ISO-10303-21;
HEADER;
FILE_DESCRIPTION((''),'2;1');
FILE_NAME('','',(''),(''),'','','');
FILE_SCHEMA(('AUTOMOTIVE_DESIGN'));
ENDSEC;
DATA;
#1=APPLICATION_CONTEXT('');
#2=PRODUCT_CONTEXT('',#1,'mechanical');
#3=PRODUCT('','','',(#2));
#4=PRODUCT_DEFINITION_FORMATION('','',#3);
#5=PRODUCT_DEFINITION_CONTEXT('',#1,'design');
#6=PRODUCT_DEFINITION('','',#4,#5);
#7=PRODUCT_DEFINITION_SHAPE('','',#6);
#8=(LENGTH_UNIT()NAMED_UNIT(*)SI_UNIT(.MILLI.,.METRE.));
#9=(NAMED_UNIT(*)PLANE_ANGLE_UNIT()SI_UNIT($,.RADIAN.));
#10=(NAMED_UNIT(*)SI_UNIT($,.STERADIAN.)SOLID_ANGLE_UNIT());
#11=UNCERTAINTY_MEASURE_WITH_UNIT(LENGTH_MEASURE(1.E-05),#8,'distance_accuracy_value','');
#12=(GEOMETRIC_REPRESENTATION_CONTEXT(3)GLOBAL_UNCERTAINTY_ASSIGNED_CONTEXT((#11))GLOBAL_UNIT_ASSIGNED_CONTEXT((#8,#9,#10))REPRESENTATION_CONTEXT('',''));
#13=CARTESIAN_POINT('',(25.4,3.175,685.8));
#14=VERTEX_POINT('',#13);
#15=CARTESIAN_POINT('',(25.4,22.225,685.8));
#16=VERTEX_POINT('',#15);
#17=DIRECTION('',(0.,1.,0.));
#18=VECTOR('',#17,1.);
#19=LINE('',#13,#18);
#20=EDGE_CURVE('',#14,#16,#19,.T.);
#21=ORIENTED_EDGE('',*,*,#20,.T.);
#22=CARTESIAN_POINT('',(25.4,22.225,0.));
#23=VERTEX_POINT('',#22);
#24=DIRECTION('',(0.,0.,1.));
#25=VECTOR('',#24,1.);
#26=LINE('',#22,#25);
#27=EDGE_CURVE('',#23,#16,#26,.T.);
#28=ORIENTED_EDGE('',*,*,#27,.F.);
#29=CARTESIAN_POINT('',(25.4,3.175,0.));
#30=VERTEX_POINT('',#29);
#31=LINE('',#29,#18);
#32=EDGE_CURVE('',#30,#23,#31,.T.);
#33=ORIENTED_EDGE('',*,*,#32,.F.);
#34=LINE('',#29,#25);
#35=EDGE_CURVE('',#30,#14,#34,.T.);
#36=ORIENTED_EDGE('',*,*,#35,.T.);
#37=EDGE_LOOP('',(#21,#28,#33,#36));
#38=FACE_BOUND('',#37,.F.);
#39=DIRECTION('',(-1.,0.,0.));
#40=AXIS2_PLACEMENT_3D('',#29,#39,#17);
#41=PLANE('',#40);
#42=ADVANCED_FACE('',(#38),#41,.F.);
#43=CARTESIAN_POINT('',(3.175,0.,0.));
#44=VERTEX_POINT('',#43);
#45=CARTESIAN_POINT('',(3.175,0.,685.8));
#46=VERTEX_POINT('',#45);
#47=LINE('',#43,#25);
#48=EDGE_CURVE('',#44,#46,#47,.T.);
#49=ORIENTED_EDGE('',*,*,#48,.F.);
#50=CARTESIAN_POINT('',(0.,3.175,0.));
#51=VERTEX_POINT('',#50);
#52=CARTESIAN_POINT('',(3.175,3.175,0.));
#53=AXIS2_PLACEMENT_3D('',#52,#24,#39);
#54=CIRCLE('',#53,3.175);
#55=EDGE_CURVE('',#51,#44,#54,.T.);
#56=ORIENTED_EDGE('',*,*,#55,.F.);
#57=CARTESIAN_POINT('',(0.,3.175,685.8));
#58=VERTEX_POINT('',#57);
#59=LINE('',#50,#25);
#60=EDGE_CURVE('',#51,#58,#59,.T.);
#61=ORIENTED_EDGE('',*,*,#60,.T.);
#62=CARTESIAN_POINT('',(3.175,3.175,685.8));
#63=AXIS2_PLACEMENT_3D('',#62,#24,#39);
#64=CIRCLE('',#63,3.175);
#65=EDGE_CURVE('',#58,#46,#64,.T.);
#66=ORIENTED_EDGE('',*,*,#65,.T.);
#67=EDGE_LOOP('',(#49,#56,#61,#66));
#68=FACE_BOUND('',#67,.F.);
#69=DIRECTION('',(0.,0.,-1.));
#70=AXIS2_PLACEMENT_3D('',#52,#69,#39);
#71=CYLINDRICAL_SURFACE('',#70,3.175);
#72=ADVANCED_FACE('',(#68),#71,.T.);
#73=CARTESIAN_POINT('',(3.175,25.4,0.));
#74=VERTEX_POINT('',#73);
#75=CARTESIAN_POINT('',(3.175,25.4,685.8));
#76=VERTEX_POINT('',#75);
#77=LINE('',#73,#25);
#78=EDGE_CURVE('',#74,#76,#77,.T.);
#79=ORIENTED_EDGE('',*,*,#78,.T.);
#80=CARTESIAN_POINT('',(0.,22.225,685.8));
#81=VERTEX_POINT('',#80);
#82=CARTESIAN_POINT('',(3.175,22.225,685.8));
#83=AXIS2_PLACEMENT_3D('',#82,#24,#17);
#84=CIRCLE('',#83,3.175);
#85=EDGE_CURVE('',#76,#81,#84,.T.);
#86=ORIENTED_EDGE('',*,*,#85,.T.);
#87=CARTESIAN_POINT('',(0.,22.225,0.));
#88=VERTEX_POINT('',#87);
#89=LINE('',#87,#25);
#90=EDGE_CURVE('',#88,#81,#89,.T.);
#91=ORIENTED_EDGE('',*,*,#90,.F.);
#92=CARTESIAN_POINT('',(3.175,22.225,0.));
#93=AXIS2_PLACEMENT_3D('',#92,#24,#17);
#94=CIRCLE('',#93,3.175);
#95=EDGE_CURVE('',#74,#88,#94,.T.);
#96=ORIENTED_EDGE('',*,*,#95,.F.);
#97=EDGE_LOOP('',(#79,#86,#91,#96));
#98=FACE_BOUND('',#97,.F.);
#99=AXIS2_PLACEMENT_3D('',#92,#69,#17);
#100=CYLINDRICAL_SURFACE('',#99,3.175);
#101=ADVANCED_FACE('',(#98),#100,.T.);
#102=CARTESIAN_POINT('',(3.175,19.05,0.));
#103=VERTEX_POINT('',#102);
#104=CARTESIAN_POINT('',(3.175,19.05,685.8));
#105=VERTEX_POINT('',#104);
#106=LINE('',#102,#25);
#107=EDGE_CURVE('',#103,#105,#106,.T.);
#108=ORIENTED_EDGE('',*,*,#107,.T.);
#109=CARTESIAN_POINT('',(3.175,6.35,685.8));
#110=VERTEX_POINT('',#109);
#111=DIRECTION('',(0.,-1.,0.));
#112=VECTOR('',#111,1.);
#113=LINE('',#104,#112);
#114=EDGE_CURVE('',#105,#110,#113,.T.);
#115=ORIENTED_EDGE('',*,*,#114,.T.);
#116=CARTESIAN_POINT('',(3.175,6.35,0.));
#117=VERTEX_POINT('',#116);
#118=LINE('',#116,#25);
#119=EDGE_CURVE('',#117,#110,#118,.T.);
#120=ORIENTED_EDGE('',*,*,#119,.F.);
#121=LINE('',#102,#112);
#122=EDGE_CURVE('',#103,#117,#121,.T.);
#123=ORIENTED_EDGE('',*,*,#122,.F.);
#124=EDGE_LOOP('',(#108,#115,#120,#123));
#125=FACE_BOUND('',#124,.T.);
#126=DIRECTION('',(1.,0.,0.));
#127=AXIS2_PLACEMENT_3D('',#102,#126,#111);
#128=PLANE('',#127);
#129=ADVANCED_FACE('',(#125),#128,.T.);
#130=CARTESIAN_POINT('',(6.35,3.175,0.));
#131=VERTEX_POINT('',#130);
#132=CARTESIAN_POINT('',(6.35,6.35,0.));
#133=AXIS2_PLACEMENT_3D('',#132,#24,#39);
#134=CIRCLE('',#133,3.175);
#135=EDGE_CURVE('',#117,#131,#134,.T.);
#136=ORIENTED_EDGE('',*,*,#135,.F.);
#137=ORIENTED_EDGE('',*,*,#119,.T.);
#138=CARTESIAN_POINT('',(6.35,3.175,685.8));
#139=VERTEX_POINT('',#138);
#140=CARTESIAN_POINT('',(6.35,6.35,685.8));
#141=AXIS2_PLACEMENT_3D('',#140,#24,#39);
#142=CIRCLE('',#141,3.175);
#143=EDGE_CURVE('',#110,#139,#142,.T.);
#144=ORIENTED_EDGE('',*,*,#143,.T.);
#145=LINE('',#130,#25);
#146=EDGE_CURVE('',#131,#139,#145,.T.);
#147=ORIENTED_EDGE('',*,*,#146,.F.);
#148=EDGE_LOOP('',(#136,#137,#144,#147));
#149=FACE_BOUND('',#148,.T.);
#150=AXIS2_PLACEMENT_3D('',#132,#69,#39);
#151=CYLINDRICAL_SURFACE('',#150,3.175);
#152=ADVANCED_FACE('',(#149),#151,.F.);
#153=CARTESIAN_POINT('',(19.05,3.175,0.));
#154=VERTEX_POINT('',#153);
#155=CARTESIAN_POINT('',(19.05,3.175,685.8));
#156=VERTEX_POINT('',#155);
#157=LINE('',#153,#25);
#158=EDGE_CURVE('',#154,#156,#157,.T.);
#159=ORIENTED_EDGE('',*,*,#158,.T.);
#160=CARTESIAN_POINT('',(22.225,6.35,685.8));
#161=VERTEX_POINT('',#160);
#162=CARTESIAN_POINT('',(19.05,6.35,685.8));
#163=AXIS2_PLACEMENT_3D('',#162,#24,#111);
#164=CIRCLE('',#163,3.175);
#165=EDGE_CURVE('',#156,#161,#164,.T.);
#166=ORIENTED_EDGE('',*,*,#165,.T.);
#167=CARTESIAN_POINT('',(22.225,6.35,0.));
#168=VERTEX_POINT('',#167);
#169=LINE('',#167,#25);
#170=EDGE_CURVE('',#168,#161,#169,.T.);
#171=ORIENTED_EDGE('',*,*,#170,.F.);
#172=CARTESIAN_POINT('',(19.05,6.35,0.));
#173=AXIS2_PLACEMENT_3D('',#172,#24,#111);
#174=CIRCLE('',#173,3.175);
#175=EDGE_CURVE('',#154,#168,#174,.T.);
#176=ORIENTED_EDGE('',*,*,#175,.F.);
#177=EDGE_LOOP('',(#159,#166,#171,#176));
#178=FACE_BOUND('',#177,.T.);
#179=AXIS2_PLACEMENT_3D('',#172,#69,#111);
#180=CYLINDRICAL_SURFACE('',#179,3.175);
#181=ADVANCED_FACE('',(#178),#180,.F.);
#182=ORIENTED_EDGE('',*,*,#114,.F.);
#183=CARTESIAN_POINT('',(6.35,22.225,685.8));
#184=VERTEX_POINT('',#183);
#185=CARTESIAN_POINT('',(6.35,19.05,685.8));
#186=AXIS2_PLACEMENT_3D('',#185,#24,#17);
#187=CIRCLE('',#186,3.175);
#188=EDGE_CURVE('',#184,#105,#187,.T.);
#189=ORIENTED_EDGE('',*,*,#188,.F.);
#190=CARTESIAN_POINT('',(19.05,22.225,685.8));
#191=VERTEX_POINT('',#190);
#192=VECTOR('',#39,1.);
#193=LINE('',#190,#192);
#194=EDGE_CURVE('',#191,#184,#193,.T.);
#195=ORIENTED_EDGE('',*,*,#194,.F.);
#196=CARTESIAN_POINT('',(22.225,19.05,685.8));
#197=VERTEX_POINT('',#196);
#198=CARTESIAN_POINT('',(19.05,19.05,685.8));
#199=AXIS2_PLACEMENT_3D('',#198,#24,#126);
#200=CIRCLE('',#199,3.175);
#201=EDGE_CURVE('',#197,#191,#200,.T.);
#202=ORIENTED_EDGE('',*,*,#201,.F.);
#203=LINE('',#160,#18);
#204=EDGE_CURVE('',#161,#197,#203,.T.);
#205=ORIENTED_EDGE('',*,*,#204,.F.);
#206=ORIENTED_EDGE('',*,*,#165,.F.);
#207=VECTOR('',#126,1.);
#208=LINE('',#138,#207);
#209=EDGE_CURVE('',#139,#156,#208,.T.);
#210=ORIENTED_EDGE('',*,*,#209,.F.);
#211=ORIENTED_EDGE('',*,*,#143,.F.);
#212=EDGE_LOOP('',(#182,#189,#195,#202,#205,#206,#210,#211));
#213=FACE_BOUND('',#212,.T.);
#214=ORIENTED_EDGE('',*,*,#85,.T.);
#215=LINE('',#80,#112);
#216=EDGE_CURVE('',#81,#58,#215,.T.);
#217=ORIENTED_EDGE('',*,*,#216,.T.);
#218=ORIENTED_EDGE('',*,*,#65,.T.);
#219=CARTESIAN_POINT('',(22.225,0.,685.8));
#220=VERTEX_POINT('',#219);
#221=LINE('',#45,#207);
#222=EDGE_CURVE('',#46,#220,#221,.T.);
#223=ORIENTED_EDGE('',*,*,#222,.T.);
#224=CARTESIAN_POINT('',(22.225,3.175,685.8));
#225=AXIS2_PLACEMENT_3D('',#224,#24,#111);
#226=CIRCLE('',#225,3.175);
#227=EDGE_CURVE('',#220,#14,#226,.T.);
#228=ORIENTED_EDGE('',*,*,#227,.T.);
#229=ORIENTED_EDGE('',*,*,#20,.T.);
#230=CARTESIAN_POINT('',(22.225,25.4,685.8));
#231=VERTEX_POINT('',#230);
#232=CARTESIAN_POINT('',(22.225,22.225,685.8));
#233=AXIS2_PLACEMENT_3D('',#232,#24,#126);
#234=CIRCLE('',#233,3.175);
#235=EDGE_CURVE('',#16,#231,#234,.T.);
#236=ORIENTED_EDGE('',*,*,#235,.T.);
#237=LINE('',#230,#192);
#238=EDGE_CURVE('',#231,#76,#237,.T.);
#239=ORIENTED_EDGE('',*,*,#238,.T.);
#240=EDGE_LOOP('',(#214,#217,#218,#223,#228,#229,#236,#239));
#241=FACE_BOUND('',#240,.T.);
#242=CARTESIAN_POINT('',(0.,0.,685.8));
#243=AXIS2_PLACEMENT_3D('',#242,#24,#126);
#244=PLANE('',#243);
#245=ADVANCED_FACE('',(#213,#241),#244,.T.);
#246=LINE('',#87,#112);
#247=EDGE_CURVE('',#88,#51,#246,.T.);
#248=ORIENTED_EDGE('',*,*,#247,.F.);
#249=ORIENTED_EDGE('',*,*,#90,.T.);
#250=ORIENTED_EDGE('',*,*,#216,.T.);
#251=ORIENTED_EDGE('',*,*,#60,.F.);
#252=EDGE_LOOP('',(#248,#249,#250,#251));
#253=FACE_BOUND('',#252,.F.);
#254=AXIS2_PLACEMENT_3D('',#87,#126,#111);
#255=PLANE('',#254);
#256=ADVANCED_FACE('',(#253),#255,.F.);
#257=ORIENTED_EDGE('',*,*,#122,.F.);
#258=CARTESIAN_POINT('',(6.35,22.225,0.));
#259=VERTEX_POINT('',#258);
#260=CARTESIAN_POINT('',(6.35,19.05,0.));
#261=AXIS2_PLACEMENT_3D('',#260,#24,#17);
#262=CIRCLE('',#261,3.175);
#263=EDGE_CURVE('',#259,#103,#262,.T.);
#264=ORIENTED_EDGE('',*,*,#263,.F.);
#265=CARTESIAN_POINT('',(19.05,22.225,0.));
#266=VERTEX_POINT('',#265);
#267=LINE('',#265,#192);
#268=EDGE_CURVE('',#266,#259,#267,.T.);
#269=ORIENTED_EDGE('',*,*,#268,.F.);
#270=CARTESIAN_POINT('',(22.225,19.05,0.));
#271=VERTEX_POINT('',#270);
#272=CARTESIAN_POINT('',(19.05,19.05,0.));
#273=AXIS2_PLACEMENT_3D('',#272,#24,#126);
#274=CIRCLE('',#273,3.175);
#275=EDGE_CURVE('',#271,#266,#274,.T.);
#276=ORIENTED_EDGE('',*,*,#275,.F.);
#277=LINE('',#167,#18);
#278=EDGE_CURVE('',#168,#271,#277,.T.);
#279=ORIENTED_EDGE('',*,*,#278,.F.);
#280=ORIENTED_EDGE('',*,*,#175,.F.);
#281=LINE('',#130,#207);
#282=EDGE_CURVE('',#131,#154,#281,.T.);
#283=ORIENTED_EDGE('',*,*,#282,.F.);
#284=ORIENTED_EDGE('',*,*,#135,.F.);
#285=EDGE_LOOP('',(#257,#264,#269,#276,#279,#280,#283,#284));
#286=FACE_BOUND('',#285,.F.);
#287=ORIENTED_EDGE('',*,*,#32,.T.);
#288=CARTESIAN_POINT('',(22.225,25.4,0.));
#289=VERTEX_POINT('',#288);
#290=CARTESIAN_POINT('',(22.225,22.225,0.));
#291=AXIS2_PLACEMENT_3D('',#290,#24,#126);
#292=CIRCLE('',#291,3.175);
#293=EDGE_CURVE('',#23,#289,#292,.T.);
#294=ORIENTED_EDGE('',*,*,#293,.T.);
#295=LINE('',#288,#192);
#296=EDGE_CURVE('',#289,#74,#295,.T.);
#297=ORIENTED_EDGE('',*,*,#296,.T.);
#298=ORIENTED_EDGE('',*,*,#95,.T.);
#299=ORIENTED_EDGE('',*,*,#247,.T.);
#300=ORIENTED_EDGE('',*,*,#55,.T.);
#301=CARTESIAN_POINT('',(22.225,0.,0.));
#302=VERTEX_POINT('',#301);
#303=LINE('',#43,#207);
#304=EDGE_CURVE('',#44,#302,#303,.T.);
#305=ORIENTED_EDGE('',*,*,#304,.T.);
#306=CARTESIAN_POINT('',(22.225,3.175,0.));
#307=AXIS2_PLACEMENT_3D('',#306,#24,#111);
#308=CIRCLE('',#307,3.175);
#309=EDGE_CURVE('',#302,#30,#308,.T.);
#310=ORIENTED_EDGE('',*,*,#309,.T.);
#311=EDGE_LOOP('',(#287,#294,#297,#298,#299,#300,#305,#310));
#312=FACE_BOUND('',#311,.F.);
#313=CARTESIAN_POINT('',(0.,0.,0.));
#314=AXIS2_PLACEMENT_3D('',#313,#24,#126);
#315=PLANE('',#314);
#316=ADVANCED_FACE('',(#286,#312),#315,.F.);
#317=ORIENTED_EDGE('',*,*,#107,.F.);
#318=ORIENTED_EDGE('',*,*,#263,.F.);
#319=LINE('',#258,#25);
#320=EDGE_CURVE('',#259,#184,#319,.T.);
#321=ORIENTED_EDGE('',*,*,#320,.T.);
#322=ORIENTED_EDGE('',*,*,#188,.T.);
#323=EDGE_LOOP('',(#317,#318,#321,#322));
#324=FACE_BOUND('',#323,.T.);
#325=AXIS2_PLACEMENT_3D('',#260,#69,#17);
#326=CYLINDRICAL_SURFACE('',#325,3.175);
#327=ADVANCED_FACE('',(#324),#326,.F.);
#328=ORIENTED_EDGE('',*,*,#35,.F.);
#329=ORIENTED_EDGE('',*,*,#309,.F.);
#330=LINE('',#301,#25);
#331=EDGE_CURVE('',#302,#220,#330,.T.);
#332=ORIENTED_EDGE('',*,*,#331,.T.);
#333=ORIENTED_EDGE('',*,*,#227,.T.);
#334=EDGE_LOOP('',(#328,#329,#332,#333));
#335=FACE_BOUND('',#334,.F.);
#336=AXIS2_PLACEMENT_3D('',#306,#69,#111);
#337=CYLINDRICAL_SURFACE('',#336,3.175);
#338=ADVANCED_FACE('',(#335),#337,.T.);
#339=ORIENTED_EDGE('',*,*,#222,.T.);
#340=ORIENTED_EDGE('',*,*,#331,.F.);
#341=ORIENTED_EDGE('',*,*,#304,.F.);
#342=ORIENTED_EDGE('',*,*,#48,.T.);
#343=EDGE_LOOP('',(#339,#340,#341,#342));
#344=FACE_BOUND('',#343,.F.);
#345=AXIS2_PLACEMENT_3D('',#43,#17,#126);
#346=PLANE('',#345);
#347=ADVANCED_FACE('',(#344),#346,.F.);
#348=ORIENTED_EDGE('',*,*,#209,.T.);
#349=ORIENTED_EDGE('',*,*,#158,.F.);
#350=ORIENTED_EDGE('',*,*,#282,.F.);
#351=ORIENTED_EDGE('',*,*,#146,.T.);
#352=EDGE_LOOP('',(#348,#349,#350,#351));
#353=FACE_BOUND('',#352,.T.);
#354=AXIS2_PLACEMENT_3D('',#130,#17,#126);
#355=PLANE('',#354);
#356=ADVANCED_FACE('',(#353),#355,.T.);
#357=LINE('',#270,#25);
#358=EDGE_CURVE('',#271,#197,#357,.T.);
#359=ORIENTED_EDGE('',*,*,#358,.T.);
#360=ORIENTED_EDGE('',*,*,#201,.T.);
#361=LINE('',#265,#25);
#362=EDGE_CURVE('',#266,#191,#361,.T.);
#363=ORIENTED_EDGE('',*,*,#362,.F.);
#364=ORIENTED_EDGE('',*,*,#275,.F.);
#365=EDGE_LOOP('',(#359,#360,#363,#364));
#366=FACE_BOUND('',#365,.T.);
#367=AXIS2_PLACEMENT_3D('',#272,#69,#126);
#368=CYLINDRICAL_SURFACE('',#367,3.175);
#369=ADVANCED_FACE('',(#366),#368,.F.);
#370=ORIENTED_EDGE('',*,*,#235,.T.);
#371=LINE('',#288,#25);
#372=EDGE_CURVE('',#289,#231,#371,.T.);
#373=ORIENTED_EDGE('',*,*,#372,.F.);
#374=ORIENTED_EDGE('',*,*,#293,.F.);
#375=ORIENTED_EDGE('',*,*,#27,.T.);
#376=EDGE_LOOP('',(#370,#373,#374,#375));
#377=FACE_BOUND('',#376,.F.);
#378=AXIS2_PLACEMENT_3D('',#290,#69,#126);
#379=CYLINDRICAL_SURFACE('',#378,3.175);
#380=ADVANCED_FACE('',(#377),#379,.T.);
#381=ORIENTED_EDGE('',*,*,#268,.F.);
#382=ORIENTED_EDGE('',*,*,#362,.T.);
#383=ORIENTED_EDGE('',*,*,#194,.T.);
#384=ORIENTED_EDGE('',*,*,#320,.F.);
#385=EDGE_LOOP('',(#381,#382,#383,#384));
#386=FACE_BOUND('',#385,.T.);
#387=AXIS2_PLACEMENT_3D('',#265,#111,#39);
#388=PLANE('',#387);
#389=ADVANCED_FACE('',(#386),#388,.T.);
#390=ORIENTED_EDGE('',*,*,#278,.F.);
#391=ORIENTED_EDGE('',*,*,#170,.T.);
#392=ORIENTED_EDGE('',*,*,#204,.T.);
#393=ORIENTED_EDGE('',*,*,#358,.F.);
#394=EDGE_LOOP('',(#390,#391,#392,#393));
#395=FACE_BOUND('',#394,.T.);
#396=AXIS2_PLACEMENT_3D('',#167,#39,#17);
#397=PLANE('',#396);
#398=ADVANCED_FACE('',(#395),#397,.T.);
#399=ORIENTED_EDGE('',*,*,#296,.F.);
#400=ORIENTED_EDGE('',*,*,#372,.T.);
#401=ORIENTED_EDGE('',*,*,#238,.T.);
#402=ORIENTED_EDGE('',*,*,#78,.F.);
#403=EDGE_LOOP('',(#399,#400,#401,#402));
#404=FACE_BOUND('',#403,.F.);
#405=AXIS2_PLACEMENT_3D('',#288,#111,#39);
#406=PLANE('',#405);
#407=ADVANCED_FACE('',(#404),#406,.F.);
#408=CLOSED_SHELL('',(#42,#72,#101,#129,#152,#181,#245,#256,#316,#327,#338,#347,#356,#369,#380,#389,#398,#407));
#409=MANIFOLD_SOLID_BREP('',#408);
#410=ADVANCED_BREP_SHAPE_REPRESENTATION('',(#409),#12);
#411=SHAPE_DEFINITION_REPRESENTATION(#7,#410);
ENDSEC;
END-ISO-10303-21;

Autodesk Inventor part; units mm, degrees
ref_plane "YZ Plane" through (0, 0, 0) normal (1, 0, 0) x (0, 1, 0)
ref_plane "XZ Plane" through (0, 0, 0) normal (0, 1, 0) x (-1, 0, 0)
ref_plane "XY Plane" through (0, 0, 0) normal (0, 0, 1) x (1, 0, 0)
sketch "Sketch1" plane through (0, 0, 0) normal (0, 0, 1) x (1, 0, 0)
  line L0 (3.175, 0) -> (22.225, 0)
  line L1 (25.4, 3.175) -> (25.4, 22.225)
  line L2 (22.225, 25.4) -> (3.175, 25.4)
  line L3 (0, 22.225) -> (0, 3.175)
  arc A0 (3.175, 25.4) -> (0, 22.225) centre (3.175, 22.225) ccw
  arc A1 (25.4, 22.225) -> (22.225, 25.4) centre (22.225, 22.225) ccw
  arc A2 (22.225, 0) -> (25.4, 3.175) centre (22.225, 3.175) ccw
  arc A3 (0, 3.175) -> (3.175, 0) centre (3.175, 3.175) ccw
  line L4 (6.35, 3.175) -> (19.05, 3.175)
  line L5 (22.225, 6.35) -> (22.225, 19.05)
  line L6 (19.05, 22.225) -> (6.35, 22.225)
  line L7 (3.175, 19.05) -> (3.175, 6.35)
  arc A4 (6.35, 22.225) -> (3.175, 19.05) centre (6.35, 19.05) ccw
  arc A5 (19.05, 3.175) -> (22.225, 6.35) centre (19.05, 6.35) ccw
  arc A6 (22.225, 19.05) -> (19.05, 22.225) centre (19.05, 19.05) ccw
  arc A7 (3.175, 6.35) -> (6.35, 3.175) centre (6.35, 6.35) ccw
  point P0 (0, 0)
  point P1 (25.4, 25.4)
  point P2 (25.4, 0)
  point P3 (0, 25.4)
  dimension "d0" = 25.4
  dimension "d1" = 25.4
  dimension "d2" = 3.175
  dimension "d3" = 3.175
extrude "Extrusion1" add sketch "Sketch1" along normal blind 685.8
properties part number "LegExtrusion"
